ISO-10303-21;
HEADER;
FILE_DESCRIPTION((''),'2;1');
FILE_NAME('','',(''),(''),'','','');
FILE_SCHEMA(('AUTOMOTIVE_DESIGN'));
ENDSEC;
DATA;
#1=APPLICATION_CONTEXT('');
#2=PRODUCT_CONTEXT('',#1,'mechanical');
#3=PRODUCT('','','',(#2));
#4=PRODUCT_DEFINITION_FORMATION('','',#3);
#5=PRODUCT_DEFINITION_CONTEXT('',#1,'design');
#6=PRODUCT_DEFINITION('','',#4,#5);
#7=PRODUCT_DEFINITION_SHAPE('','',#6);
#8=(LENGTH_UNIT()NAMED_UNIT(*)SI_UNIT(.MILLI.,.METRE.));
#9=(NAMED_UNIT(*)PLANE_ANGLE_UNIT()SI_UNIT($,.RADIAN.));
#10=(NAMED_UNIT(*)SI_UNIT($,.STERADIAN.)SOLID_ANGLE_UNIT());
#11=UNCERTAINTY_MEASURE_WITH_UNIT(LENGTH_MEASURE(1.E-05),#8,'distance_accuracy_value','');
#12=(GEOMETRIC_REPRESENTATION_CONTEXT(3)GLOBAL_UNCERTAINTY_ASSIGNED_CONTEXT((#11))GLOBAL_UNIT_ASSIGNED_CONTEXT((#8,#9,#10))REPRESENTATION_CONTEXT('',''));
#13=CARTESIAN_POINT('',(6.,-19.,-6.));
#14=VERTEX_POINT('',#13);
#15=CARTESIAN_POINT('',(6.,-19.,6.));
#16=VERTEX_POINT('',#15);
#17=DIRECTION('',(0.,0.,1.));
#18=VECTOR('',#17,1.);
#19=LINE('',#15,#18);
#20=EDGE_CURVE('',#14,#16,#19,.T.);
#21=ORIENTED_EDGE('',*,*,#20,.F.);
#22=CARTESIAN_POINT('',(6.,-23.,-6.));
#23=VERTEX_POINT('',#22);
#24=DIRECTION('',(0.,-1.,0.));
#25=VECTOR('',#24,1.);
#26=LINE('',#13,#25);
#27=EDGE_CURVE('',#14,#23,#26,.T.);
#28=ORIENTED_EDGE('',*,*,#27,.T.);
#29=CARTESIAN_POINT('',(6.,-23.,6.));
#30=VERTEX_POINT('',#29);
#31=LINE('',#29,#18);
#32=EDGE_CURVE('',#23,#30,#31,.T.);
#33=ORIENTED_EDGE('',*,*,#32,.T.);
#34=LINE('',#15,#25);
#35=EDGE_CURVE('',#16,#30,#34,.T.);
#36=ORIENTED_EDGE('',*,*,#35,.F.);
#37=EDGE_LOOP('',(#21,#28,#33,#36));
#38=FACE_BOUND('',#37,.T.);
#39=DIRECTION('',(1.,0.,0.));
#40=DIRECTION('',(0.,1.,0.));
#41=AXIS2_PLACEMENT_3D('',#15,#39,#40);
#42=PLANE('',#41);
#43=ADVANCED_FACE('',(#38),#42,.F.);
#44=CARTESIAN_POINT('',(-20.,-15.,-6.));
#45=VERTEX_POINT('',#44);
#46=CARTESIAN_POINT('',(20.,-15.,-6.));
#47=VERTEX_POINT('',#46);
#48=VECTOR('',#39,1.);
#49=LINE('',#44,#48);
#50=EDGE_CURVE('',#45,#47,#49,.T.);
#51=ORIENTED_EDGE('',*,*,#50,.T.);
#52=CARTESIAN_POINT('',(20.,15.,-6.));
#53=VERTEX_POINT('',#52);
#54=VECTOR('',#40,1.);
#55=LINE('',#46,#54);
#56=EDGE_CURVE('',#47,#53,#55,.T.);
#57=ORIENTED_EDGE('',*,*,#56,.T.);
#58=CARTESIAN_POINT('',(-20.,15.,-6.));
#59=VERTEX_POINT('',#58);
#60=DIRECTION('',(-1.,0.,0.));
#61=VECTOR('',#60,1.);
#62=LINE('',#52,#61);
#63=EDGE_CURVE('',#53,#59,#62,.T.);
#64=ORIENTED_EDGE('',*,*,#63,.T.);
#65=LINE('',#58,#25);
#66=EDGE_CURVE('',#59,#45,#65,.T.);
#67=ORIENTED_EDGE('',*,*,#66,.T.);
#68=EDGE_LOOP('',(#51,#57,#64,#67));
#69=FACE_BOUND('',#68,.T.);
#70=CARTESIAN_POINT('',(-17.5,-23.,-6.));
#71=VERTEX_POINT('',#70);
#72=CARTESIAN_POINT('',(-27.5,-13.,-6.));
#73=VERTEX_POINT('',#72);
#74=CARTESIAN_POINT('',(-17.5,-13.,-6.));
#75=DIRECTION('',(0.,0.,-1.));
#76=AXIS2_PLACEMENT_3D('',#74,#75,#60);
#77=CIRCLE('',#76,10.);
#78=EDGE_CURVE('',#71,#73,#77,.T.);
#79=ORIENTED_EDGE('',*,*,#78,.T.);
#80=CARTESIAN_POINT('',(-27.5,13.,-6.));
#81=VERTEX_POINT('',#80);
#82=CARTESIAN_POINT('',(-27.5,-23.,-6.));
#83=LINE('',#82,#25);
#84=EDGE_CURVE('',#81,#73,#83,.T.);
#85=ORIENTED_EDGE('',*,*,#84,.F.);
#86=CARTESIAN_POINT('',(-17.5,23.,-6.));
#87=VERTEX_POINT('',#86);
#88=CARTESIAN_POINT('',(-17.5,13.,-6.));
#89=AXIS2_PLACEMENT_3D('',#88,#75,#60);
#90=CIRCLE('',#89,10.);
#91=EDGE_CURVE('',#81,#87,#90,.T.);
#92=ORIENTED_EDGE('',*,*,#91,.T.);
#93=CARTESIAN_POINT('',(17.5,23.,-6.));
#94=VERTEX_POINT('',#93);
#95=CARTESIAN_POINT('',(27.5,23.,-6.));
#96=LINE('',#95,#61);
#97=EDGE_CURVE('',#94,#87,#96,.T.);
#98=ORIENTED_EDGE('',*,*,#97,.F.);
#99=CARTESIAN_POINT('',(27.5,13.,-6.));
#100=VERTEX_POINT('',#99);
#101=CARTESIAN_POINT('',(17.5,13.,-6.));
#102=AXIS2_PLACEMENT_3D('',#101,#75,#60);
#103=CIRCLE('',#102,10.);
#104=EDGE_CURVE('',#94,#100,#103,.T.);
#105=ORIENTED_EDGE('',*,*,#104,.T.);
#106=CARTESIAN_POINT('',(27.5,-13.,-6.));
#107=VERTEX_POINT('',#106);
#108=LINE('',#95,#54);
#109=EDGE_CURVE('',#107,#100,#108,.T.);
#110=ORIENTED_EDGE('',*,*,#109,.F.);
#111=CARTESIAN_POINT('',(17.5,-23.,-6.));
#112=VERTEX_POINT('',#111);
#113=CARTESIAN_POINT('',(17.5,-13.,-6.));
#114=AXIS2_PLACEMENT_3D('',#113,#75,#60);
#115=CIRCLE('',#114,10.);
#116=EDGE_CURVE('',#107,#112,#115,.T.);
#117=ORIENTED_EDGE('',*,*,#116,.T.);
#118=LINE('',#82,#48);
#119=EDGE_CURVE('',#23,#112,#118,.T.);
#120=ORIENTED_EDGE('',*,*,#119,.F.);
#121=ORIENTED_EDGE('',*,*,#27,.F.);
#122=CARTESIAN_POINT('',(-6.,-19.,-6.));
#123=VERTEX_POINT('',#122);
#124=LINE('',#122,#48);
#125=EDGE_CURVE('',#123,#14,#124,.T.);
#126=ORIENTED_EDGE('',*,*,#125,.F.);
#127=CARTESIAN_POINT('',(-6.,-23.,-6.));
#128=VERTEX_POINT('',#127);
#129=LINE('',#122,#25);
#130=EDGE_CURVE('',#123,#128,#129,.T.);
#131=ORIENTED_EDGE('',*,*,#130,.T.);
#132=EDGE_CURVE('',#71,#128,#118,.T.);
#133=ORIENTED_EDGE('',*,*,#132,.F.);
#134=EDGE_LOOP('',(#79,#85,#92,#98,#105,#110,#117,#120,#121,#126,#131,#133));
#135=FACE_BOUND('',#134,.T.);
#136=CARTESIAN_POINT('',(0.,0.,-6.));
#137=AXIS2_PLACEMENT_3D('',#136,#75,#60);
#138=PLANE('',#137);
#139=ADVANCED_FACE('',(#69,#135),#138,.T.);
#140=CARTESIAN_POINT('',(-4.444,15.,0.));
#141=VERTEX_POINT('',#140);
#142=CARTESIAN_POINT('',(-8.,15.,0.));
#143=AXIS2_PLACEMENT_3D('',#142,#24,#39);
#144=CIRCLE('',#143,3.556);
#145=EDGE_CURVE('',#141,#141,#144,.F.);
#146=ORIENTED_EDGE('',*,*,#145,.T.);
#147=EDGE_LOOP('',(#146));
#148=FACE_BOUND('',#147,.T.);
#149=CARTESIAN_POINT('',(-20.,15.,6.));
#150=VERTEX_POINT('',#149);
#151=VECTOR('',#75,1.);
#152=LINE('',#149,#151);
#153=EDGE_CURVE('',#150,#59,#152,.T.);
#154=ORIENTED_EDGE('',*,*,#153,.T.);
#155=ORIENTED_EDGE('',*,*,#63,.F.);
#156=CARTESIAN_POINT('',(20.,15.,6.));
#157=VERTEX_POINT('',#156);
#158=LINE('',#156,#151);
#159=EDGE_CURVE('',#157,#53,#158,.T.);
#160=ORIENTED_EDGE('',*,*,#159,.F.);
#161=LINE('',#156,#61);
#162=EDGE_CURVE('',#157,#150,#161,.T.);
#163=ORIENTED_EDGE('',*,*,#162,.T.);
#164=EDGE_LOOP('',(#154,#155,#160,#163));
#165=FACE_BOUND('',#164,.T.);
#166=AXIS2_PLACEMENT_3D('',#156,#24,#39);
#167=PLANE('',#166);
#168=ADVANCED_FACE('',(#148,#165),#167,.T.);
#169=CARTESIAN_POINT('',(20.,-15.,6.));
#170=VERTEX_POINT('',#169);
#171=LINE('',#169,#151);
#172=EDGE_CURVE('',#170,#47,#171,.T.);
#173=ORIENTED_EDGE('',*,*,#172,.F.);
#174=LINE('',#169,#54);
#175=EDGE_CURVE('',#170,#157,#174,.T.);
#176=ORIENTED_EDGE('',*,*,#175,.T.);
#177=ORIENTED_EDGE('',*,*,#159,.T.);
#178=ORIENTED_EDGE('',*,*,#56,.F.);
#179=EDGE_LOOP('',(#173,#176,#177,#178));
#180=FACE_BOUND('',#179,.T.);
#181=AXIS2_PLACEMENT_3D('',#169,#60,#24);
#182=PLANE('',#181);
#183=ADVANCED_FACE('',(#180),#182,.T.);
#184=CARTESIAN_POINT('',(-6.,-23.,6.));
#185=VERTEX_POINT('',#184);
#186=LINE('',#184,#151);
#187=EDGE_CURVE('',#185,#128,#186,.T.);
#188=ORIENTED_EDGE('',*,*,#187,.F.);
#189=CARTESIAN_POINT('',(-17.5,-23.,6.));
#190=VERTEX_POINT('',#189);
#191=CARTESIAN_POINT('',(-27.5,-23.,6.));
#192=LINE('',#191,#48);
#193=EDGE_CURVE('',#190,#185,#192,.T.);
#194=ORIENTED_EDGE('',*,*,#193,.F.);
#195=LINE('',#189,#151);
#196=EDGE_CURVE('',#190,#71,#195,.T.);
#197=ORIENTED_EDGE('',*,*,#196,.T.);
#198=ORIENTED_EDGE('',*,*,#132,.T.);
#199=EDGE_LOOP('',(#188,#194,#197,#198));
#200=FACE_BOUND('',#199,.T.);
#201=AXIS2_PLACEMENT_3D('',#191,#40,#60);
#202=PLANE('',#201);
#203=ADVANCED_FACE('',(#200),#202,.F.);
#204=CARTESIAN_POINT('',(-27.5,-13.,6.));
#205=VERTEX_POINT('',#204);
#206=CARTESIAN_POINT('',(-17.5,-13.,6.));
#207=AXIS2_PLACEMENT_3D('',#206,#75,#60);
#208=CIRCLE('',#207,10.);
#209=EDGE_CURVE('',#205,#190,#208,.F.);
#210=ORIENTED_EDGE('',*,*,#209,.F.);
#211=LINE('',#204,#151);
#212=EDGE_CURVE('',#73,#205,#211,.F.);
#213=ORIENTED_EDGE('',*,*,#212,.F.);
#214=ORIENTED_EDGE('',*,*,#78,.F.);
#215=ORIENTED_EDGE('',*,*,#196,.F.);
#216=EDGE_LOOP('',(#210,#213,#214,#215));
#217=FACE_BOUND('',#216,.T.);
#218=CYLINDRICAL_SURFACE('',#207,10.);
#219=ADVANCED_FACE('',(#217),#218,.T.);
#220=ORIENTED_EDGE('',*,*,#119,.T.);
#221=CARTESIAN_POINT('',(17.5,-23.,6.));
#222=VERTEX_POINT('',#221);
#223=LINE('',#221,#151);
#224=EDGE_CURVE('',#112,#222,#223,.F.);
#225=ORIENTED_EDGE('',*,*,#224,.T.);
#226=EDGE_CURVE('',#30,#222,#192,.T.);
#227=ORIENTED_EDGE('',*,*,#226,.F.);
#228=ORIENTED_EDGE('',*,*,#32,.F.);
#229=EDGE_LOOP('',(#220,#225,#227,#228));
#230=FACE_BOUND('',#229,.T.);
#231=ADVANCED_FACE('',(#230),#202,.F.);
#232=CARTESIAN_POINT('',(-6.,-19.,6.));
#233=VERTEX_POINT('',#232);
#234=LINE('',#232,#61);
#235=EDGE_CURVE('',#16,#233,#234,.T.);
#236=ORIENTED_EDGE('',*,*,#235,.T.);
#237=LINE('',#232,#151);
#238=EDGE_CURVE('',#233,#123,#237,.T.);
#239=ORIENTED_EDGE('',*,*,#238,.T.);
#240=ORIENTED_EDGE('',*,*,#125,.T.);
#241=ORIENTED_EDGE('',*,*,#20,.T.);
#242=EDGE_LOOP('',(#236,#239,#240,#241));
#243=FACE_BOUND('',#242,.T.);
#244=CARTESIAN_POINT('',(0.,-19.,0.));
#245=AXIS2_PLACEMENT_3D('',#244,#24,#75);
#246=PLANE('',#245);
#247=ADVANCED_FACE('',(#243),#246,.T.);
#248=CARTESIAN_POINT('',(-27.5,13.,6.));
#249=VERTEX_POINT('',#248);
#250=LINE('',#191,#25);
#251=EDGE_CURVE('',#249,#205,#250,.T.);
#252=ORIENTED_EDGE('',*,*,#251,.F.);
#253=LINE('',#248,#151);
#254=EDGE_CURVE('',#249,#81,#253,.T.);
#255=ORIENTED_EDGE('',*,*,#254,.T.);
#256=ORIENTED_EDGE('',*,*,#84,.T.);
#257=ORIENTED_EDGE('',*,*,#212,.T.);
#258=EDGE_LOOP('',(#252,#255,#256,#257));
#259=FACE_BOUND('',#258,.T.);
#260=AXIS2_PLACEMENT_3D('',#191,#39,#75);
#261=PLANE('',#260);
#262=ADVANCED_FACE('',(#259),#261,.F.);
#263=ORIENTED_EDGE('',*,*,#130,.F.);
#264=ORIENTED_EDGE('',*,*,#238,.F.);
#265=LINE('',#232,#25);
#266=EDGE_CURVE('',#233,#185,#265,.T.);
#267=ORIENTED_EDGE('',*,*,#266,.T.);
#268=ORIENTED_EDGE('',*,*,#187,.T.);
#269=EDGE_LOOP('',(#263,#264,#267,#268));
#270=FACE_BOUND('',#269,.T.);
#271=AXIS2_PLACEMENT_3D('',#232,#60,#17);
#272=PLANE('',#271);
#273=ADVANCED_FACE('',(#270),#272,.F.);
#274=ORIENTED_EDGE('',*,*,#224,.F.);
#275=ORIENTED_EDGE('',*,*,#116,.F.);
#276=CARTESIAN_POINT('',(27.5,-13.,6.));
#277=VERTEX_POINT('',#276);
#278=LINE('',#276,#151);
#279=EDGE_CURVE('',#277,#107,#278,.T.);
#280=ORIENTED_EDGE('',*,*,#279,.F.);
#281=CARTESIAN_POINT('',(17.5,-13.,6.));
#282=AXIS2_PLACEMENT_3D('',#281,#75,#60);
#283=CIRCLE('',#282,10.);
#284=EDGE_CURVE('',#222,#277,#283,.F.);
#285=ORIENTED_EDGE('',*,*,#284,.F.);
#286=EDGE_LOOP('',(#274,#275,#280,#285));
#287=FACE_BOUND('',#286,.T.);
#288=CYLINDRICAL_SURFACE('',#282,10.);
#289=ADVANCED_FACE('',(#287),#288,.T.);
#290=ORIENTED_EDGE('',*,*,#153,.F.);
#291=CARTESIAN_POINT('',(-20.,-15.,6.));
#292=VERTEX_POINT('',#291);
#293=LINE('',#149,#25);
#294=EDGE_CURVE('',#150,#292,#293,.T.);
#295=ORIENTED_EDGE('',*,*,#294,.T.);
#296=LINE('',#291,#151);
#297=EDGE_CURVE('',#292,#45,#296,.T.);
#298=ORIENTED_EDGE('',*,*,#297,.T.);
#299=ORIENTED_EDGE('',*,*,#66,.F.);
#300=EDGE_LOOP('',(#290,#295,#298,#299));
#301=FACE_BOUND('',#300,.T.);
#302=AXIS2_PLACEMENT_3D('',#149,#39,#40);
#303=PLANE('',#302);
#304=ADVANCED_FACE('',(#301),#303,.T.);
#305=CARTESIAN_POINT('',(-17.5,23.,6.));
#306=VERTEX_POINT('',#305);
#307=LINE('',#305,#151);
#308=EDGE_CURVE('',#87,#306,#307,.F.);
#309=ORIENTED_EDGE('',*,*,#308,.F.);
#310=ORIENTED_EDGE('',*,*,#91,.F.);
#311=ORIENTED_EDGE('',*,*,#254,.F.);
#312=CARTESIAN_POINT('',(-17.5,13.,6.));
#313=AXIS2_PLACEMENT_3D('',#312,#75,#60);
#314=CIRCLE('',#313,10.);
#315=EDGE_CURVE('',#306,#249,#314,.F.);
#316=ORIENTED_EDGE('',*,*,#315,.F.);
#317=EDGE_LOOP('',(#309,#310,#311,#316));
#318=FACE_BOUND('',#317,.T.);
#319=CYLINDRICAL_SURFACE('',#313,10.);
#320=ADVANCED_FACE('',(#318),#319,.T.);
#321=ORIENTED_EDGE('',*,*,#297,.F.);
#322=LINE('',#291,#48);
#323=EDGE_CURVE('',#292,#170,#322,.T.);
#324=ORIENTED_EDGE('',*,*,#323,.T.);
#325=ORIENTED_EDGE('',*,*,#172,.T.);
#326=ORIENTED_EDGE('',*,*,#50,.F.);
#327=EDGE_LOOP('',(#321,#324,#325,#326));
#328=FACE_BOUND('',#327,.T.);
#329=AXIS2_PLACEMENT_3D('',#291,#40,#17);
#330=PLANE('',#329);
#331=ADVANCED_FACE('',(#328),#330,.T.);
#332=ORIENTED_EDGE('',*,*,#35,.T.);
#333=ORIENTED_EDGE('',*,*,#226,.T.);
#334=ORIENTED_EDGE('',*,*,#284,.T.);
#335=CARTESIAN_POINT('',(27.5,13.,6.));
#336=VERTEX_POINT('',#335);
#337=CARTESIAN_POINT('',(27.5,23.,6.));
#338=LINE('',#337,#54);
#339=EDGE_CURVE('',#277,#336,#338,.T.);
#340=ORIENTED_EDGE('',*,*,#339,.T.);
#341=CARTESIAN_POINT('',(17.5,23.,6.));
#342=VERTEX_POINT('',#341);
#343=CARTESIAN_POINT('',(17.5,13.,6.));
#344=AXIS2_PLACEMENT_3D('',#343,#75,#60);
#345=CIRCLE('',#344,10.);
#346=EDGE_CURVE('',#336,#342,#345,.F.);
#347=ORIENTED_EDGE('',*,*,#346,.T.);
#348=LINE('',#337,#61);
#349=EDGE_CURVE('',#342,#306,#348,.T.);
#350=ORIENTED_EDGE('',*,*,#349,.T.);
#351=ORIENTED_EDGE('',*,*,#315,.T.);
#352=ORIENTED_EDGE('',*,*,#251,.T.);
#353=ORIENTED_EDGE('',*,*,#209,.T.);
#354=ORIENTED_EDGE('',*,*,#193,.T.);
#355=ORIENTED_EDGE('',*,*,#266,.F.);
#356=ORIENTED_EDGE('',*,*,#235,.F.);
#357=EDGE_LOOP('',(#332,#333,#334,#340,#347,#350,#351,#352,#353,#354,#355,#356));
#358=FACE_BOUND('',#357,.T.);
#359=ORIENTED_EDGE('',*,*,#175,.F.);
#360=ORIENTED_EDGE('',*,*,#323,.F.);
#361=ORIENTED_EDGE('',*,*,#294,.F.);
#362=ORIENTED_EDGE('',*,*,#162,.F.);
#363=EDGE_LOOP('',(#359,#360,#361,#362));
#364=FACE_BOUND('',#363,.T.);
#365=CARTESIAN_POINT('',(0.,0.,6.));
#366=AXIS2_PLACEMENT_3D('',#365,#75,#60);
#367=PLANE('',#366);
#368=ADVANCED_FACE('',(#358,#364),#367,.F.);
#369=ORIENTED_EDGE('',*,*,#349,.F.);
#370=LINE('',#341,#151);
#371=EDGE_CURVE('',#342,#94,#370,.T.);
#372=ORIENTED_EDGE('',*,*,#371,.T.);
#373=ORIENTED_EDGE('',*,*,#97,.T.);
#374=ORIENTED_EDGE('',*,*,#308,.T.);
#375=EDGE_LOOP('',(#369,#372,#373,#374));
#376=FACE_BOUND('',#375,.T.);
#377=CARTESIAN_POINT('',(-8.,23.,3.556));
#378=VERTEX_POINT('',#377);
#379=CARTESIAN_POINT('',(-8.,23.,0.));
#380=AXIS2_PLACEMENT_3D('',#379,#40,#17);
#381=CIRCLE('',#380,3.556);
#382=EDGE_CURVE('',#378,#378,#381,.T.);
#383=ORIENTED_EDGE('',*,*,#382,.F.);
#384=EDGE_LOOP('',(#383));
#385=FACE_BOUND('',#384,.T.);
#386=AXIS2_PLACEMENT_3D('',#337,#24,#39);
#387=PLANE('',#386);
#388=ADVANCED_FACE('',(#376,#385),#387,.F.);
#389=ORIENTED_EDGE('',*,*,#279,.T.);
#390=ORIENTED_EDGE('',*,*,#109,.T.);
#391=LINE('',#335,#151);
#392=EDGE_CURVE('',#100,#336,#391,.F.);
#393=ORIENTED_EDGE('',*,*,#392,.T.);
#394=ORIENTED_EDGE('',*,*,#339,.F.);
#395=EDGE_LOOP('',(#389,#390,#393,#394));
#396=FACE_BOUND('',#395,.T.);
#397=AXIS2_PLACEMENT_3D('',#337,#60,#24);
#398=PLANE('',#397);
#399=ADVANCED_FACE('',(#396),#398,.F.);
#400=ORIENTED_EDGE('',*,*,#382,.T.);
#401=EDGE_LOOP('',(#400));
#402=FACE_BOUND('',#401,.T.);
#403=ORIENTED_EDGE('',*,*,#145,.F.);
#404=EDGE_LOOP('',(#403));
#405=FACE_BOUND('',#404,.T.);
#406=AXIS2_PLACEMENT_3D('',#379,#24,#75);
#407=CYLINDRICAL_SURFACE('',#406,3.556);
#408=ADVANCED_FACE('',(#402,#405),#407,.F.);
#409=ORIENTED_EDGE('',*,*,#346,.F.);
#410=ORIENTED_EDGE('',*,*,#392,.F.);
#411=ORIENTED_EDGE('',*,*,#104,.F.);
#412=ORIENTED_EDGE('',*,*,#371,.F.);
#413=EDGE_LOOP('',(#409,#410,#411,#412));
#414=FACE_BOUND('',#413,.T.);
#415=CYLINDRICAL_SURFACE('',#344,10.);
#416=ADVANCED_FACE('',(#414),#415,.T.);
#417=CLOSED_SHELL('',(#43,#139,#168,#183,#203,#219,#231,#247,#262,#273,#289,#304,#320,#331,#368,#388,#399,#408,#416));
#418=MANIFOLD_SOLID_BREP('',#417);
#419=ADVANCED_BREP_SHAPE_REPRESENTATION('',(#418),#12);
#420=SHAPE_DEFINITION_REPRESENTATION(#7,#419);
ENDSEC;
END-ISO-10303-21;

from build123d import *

# Parameters (mm, degrees)
SKETCH1_W           = 55
SKETCH1_H           = 46
SKETCH1_W_2         = 40
SKETCH1_H_2         = 30
BOSS_EXTRUDE1_DEPTH = 6
SKETCH3_R           = 3.556
CUT_EXTRUDE1_DEPTH  = 24
SKETCH6_W           = 12
SKETCH6_H           = 12
CUT_EXTRUDE4_DEPTH  = 4
FILLET1_R           = 10


with BuildPart() as part:
    # Sketch1 → Boss-Extrude1 (new body, symmetric)
    with BuildSketch(Plane.XY):
        Rectangle(SKETCH1_W, SKETCH1_H)
        Rectangle(SKETCH1_W_2, SKETCH1_H_2, mode=Mode.SUBTRACT)
    extrude(amount=BOSS_EXTRUDE1_DEPTH, both=True)

    # Sketch3 → Cut-Extrude1 (cut, through all)
    with BuildSketch(Plane(origin=(0, 0, 0), x_dir=(1, 0, 0), z_dir=(0, 1, 0))):
        with Locations((-8, 0)):
            Circle(SKETCH3_R)
    extrude(amount=CUT_EXTRUDE1_DEPTH, mode=Mode.SUBTRACT)

    # Sketch6 → Cut-Extrude4 (cut)
    with BuildSketch(Plane.XZ.offset(23)):
        Rectangle(SKETCH6_W, SKETCH6_H)
    extrude(amount=-CUT_EXTRUDE4_DEPTH, mode=Mode.SUBTRACT)

    # Fillet1
    fillet1_edges = [part.edges().sort_by_distance(p)[0] for p in [
        (-27.5, -23, 0),
        (-27.5, 23, 0),
        (27.5, 23, 0),
        (27.5, -23, 0),
    ]]
    fillet(fillet1_edges, radius=FILLET1_R)


solid = part.part
